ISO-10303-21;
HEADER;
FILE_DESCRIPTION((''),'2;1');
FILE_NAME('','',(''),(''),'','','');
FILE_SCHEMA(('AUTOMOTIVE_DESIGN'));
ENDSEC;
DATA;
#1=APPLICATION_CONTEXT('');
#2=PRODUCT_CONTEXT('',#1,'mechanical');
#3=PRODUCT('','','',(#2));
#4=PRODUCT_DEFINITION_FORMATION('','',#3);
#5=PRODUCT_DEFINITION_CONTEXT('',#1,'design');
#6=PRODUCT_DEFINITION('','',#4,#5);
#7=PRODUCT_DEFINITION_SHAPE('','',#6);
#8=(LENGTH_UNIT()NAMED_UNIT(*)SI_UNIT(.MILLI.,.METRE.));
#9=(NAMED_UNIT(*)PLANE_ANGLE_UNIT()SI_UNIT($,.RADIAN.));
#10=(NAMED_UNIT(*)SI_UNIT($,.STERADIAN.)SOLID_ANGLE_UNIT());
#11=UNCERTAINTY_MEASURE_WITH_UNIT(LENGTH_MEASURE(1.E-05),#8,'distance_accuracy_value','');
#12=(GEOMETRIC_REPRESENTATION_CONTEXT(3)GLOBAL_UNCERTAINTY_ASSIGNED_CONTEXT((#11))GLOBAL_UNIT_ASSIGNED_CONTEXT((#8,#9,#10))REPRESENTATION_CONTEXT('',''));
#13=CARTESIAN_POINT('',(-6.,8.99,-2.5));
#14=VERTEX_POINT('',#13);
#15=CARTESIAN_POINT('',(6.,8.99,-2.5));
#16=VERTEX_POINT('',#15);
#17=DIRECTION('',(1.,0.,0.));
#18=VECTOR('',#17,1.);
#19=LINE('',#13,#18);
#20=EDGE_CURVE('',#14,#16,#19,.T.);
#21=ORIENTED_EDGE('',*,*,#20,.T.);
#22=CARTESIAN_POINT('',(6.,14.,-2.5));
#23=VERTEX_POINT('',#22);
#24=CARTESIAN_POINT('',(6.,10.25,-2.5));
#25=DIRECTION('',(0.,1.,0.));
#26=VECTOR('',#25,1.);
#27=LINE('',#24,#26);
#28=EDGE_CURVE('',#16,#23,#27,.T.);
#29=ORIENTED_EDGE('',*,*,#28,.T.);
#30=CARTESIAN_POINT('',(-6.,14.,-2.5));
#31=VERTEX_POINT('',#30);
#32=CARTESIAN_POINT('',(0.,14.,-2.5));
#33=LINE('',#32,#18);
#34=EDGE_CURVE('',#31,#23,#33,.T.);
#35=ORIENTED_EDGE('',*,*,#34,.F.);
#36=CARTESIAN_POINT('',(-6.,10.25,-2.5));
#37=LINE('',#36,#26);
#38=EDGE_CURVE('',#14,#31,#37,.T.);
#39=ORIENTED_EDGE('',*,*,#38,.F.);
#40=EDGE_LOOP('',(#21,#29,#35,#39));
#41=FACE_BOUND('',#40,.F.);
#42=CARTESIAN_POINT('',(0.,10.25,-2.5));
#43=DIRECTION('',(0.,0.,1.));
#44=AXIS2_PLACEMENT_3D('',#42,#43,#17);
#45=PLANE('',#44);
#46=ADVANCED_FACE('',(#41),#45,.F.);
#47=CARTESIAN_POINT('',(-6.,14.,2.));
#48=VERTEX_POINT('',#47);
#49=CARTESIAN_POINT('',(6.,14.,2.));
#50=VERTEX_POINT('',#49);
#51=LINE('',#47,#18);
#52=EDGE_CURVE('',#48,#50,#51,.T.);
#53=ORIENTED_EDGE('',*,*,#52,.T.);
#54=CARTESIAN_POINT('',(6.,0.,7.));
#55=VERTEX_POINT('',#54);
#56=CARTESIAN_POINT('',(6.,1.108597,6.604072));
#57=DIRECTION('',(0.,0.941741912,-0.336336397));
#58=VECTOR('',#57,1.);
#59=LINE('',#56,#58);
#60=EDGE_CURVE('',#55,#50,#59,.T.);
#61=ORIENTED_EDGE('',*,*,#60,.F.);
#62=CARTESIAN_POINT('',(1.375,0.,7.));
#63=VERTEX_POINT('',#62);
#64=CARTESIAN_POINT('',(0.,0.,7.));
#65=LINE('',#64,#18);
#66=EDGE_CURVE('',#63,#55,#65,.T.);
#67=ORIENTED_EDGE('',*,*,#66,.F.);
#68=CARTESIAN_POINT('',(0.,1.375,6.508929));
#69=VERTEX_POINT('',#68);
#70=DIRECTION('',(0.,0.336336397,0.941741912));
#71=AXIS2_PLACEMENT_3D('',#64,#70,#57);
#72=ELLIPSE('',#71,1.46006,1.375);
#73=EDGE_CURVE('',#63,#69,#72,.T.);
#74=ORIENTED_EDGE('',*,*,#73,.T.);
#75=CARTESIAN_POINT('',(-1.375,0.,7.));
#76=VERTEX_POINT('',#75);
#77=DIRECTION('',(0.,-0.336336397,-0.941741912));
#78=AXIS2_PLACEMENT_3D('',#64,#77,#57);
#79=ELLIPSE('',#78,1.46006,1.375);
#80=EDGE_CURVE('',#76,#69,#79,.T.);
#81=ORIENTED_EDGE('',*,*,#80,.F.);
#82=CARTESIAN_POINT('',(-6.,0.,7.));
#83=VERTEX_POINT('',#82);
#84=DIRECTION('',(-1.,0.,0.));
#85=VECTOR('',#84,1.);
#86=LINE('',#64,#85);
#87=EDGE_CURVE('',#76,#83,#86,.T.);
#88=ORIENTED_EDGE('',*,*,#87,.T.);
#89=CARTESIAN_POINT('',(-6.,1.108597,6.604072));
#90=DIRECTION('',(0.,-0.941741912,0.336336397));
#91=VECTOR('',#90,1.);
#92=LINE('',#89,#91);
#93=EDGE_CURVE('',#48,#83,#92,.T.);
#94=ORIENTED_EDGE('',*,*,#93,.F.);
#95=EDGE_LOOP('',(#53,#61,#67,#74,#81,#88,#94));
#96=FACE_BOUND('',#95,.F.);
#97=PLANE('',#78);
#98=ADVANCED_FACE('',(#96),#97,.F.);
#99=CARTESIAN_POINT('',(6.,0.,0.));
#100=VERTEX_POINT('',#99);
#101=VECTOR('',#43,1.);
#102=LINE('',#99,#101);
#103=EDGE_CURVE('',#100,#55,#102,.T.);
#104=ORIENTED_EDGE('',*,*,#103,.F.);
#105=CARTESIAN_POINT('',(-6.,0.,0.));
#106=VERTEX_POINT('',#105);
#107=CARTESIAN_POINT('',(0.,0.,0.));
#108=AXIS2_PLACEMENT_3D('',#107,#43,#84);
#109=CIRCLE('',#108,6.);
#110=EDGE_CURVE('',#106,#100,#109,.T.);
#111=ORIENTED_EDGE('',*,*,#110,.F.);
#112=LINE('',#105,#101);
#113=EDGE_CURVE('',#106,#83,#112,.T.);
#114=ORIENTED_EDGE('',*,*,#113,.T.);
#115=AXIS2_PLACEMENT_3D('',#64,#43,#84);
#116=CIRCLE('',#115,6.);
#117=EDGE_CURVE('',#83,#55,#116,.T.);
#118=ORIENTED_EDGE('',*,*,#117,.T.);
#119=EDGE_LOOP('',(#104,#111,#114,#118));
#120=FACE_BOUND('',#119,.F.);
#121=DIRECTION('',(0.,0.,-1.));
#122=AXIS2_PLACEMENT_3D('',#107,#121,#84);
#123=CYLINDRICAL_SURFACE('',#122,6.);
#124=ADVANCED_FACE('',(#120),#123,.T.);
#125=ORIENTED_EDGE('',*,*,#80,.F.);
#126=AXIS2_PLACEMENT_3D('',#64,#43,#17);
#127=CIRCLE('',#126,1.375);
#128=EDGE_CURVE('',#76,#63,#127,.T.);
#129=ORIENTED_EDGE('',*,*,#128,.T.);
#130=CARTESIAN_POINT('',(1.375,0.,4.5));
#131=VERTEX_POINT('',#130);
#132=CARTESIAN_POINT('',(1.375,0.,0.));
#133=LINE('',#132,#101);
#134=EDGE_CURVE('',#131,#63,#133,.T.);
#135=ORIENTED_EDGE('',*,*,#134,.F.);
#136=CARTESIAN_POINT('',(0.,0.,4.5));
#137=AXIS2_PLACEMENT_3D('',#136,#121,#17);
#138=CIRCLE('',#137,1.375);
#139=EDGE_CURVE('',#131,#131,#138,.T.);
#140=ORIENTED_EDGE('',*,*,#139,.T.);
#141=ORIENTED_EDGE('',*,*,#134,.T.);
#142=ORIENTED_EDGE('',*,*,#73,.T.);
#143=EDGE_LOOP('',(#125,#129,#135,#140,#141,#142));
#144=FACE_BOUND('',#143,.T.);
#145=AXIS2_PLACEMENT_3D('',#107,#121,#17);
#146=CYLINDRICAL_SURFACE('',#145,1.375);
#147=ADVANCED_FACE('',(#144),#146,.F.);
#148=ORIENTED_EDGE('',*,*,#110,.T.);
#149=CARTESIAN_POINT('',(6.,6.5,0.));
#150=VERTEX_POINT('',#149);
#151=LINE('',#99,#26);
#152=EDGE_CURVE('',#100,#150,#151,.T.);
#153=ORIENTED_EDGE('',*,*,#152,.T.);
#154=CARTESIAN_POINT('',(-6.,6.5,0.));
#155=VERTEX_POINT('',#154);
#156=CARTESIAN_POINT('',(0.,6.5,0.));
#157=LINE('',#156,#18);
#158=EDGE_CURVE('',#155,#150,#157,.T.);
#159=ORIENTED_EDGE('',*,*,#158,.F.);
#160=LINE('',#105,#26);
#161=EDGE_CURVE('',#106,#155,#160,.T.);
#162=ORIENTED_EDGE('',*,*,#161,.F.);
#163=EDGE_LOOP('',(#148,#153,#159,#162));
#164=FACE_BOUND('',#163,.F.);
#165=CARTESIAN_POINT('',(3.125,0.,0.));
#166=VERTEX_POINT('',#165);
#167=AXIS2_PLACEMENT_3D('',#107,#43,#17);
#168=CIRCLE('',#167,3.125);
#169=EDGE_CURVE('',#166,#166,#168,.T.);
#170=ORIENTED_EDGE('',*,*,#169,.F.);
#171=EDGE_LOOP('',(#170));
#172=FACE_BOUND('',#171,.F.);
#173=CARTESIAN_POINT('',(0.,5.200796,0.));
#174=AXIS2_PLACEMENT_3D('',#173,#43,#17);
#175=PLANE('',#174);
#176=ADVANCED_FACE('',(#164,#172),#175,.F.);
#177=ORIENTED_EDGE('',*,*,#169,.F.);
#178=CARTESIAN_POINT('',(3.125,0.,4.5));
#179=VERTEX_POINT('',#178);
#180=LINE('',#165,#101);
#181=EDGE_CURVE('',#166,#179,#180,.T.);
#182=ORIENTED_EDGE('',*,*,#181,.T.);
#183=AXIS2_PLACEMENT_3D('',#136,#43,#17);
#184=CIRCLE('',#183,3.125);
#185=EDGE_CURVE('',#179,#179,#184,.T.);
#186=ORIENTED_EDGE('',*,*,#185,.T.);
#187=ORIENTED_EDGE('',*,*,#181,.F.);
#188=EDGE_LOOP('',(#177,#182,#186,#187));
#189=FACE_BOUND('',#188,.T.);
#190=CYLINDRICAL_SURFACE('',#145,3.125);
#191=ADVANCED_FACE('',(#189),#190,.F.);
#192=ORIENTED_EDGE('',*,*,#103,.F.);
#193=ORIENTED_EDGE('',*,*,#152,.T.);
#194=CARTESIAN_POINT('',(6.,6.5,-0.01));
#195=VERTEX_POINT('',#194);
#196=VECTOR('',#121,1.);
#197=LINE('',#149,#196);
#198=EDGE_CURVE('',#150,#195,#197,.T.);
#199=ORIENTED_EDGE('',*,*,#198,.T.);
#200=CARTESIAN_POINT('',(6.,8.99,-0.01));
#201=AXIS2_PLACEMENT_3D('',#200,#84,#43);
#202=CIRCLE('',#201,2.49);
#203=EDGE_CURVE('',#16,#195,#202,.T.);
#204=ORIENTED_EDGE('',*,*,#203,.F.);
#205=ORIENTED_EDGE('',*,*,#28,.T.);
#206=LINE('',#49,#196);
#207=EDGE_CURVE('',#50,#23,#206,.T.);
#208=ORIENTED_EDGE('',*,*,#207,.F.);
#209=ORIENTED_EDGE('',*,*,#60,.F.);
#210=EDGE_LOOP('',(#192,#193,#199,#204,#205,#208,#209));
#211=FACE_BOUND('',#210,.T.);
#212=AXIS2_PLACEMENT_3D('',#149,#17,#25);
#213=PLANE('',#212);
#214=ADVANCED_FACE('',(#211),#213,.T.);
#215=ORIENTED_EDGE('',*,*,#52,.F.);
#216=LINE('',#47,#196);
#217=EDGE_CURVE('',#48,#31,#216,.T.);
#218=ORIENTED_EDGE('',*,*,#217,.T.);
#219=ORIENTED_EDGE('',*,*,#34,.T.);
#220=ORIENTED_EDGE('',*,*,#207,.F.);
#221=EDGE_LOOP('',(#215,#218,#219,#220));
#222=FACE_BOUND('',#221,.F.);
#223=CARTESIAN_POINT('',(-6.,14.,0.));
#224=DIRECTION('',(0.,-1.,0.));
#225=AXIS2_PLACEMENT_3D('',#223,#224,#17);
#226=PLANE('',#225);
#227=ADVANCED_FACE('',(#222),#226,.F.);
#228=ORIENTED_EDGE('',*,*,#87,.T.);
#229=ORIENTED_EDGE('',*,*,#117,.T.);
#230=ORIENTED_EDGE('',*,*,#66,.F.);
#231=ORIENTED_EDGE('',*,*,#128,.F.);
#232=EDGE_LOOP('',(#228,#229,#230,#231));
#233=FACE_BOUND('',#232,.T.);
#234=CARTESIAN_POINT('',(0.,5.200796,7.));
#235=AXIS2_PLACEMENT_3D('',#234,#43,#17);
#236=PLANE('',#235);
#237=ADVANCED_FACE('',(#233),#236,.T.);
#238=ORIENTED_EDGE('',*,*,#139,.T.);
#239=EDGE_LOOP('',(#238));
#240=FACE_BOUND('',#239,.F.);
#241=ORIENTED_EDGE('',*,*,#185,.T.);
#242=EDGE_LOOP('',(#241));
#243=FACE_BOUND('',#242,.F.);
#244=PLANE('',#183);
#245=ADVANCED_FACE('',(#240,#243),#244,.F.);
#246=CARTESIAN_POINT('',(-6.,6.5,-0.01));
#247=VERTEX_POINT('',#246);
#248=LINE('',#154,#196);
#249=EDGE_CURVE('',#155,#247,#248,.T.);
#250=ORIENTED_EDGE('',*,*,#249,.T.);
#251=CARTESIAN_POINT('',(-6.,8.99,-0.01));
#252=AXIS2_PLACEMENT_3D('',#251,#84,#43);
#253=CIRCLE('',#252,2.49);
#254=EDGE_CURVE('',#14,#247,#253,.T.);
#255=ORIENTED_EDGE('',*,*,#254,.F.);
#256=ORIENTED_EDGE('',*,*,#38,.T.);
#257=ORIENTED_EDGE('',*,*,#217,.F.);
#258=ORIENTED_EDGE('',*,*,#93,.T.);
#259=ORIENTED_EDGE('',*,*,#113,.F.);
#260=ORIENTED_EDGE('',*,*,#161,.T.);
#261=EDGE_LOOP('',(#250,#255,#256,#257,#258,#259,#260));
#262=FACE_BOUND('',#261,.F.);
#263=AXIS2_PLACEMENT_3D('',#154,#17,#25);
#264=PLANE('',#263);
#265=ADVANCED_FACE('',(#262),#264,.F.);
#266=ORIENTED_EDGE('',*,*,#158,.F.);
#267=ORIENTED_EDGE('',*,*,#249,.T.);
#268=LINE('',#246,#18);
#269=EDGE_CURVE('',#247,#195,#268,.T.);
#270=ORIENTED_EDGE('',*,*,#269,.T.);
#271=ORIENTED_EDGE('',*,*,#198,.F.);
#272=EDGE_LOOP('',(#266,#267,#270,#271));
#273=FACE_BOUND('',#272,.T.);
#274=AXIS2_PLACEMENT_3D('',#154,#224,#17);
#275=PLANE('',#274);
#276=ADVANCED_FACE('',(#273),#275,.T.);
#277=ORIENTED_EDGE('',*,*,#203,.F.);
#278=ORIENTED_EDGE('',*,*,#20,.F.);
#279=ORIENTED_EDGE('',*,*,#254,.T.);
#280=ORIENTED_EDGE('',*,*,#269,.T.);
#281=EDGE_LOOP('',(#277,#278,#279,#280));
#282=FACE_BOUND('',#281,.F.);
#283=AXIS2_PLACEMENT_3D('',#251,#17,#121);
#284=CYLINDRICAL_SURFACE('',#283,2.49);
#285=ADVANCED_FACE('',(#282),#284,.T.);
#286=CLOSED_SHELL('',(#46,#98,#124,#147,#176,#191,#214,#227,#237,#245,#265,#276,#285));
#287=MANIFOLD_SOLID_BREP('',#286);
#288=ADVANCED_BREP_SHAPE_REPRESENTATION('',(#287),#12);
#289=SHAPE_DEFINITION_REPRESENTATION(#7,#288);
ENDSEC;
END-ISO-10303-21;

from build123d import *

# Parameters (mm, degrees)
SKETCH114_R          = 1.375
PAD047_DEPTH         = 7
POCKET060_DEPTH      = 100
POCKET060_DEPTH_BACK = 100
SKETCH116_R          = 3.125
POCKET061_DEPTH      = 4.5
SKETCH117_W          = 12
SKETCH117_H          = 7.5
PAD048_DEPTH         = 2.5
FILLET025_R          = 2.49


with BuildPart() as part:
    # Sketch114 → Pad047 (new body)
    with BuildSketch(Plane.XY):
        with BuildLine():
            ThreePointArc((-6, 0), (0, -6), (6, 0))
            Line((6, 0), (6, 14))
            Line((-6, 14), (6, 14))
            Line((-6, 0), (-6, 14))
        make_face()
        Circle(SKETCH114_R, mode=Mode.SUBTRACT)
    extrude(amount=PAD047_DEPTH)

    # Sketch115 → Pocket060 (cut, two sides)
    with BuildSketch(Plane.YZ) as pocket060_sk:
        Polygon((0, 7), (14, 2), (14, 15.229534), align=None)
    extrude(amount=-POCKET060_DEPTH, mode=Mode.SUBTRACT)
    extrude(pocket060_sk.sketch, amount=POCKET060_DEPTH_BACK, mode=Mode.SUBTRACT)

    # Sketch116 → Pocket061 (cut)
    with BuildSketch(Plane.XY):
        Circle(SKETCH116_R)
    extrude(amount=POCKET061_DEPTH, mode=Mode.SUBTRACT)

    # Sketch117 → Pad048 (join)
    with BuildSketch(Plane.XY):
        with Locations((0, 10.25)):
            Rectangle(SKETCH117_W, SKETCH117_H)
    extrude(amount=-PAD048_DEPTH)

    # Fillet025
    fillet025_edges = [part.edges().sort_by_distance(p)[0] for p in [
        (0, 6.5, -2.5),
    ]]
    fillet(fillet025_edges, radius=FILLET025_R)


solid = part.part
